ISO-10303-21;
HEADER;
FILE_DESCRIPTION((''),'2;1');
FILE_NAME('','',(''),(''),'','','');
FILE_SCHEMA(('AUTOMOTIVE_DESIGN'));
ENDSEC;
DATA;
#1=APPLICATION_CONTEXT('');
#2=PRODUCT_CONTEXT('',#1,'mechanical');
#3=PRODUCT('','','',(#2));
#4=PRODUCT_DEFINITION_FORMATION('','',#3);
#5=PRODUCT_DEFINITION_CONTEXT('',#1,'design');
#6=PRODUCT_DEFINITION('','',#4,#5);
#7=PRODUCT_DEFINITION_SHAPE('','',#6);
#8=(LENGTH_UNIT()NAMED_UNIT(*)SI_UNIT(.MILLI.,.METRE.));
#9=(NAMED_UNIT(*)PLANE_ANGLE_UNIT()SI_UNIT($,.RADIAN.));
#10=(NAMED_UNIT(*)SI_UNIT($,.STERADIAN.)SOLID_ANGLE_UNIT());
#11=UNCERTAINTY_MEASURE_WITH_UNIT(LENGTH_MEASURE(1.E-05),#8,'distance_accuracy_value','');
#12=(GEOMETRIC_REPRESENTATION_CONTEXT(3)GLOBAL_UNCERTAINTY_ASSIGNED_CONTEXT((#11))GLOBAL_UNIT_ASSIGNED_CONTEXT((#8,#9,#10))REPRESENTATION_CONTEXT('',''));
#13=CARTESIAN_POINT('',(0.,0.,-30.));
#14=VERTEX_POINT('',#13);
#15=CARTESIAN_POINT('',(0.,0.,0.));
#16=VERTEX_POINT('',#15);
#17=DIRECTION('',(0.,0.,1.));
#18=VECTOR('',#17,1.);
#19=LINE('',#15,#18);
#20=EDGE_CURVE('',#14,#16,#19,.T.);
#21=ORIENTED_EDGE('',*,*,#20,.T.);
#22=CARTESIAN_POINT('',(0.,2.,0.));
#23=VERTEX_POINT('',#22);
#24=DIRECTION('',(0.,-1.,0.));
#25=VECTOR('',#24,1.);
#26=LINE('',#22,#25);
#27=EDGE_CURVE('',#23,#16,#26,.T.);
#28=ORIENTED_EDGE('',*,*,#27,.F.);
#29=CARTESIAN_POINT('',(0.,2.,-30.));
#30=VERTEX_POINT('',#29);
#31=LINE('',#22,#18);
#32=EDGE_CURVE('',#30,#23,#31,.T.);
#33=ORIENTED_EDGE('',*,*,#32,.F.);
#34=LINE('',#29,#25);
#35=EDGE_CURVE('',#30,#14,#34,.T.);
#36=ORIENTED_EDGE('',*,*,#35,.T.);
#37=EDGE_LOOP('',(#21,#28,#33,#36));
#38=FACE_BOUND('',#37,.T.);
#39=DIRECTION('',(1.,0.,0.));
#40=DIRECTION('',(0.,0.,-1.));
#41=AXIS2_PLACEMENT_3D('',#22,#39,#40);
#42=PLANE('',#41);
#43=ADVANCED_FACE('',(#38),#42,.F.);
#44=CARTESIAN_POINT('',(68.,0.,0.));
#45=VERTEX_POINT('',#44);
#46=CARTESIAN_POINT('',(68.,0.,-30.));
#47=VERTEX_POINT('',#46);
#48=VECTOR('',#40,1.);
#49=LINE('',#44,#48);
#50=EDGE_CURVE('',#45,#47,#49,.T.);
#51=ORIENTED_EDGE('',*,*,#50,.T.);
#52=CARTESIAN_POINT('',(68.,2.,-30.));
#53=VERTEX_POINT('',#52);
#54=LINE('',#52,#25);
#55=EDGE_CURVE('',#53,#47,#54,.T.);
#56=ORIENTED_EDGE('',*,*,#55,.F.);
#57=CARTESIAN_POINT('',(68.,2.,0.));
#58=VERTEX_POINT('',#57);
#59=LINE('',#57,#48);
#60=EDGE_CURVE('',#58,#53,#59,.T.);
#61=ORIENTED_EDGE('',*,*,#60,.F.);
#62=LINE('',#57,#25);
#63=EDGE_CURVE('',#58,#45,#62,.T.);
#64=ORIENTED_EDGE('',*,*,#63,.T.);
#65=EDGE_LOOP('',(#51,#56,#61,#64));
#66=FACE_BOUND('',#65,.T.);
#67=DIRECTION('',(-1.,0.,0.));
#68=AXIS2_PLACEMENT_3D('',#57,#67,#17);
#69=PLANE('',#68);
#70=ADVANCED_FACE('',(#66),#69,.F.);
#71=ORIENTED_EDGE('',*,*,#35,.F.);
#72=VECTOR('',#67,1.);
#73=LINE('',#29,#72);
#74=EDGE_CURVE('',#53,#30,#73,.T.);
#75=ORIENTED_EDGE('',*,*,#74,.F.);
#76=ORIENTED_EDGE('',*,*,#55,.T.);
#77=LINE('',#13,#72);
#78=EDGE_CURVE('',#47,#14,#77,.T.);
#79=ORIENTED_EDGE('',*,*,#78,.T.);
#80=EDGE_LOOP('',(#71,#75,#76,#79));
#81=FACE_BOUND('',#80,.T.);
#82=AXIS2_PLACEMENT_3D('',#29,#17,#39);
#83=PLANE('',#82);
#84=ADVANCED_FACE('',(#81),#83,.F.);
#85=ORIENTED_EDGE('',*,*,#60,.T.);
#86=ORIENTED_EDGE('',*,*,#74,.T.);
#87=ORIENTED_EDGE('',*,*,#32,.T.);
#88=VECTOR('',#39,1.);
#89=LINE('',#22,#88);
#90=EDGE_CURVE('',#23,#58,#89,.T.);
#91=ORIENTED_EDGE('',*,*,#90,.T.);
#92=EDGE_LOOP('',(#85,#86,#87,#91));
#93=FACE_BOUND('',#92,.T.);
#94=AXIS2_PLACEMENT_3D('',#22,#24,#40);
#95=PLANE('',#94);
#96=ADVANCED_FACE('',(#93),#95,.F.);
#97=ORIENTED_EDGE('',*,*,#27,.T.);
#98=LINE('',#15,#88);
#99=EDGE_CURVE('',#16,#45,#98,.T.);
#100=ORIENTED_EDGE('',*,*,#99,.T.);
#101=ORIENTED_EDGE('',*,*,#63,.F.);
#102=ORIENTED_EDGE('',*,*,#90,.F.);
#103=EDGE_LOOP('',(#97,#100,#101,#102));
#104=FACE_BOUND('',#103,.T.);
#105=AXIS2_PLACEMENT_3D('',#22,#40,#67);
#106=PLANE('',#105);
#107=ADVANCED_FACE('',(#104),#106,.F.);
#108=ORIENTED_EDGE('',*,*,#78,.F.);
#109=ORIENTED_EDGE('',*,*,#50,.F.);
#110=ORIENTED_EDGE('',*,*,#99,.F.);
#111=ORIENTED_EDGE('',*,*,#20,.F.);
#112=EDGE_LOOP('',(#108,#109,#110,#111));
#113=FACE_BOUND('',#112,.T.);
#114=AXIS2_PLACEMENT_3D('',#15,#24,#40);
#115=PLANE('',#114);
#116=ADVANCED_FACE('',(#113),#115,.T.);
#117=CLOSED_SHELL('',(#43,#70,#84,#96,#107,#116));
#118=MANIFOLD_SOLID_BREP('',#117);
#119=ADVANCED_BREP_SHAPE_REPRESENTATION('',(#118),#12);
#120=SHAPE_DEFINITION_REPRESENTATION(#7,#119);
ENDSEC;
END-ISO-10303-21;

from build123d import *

# Parameters (mm, degrees)
SKETCH_1_W      = 68
SKETCH_1_H      = 30
EXTRUDE_1_DEPTH = 2


with BuildPart() as part:
    # 草图1 → 凸台-拉伸1 (new body)
    with BuildSketch(Plane(origin=(0, 0, 0), x_dir=(1, 0, 0), z_dir=(0, 1, 0))):
        with Locations((34, 15)):
            Rectangle(SKETCH_1_W, SKETCH_1_H)
    extrude(amount=EXTRUDE_1_DEPTH)


solid = part.part
